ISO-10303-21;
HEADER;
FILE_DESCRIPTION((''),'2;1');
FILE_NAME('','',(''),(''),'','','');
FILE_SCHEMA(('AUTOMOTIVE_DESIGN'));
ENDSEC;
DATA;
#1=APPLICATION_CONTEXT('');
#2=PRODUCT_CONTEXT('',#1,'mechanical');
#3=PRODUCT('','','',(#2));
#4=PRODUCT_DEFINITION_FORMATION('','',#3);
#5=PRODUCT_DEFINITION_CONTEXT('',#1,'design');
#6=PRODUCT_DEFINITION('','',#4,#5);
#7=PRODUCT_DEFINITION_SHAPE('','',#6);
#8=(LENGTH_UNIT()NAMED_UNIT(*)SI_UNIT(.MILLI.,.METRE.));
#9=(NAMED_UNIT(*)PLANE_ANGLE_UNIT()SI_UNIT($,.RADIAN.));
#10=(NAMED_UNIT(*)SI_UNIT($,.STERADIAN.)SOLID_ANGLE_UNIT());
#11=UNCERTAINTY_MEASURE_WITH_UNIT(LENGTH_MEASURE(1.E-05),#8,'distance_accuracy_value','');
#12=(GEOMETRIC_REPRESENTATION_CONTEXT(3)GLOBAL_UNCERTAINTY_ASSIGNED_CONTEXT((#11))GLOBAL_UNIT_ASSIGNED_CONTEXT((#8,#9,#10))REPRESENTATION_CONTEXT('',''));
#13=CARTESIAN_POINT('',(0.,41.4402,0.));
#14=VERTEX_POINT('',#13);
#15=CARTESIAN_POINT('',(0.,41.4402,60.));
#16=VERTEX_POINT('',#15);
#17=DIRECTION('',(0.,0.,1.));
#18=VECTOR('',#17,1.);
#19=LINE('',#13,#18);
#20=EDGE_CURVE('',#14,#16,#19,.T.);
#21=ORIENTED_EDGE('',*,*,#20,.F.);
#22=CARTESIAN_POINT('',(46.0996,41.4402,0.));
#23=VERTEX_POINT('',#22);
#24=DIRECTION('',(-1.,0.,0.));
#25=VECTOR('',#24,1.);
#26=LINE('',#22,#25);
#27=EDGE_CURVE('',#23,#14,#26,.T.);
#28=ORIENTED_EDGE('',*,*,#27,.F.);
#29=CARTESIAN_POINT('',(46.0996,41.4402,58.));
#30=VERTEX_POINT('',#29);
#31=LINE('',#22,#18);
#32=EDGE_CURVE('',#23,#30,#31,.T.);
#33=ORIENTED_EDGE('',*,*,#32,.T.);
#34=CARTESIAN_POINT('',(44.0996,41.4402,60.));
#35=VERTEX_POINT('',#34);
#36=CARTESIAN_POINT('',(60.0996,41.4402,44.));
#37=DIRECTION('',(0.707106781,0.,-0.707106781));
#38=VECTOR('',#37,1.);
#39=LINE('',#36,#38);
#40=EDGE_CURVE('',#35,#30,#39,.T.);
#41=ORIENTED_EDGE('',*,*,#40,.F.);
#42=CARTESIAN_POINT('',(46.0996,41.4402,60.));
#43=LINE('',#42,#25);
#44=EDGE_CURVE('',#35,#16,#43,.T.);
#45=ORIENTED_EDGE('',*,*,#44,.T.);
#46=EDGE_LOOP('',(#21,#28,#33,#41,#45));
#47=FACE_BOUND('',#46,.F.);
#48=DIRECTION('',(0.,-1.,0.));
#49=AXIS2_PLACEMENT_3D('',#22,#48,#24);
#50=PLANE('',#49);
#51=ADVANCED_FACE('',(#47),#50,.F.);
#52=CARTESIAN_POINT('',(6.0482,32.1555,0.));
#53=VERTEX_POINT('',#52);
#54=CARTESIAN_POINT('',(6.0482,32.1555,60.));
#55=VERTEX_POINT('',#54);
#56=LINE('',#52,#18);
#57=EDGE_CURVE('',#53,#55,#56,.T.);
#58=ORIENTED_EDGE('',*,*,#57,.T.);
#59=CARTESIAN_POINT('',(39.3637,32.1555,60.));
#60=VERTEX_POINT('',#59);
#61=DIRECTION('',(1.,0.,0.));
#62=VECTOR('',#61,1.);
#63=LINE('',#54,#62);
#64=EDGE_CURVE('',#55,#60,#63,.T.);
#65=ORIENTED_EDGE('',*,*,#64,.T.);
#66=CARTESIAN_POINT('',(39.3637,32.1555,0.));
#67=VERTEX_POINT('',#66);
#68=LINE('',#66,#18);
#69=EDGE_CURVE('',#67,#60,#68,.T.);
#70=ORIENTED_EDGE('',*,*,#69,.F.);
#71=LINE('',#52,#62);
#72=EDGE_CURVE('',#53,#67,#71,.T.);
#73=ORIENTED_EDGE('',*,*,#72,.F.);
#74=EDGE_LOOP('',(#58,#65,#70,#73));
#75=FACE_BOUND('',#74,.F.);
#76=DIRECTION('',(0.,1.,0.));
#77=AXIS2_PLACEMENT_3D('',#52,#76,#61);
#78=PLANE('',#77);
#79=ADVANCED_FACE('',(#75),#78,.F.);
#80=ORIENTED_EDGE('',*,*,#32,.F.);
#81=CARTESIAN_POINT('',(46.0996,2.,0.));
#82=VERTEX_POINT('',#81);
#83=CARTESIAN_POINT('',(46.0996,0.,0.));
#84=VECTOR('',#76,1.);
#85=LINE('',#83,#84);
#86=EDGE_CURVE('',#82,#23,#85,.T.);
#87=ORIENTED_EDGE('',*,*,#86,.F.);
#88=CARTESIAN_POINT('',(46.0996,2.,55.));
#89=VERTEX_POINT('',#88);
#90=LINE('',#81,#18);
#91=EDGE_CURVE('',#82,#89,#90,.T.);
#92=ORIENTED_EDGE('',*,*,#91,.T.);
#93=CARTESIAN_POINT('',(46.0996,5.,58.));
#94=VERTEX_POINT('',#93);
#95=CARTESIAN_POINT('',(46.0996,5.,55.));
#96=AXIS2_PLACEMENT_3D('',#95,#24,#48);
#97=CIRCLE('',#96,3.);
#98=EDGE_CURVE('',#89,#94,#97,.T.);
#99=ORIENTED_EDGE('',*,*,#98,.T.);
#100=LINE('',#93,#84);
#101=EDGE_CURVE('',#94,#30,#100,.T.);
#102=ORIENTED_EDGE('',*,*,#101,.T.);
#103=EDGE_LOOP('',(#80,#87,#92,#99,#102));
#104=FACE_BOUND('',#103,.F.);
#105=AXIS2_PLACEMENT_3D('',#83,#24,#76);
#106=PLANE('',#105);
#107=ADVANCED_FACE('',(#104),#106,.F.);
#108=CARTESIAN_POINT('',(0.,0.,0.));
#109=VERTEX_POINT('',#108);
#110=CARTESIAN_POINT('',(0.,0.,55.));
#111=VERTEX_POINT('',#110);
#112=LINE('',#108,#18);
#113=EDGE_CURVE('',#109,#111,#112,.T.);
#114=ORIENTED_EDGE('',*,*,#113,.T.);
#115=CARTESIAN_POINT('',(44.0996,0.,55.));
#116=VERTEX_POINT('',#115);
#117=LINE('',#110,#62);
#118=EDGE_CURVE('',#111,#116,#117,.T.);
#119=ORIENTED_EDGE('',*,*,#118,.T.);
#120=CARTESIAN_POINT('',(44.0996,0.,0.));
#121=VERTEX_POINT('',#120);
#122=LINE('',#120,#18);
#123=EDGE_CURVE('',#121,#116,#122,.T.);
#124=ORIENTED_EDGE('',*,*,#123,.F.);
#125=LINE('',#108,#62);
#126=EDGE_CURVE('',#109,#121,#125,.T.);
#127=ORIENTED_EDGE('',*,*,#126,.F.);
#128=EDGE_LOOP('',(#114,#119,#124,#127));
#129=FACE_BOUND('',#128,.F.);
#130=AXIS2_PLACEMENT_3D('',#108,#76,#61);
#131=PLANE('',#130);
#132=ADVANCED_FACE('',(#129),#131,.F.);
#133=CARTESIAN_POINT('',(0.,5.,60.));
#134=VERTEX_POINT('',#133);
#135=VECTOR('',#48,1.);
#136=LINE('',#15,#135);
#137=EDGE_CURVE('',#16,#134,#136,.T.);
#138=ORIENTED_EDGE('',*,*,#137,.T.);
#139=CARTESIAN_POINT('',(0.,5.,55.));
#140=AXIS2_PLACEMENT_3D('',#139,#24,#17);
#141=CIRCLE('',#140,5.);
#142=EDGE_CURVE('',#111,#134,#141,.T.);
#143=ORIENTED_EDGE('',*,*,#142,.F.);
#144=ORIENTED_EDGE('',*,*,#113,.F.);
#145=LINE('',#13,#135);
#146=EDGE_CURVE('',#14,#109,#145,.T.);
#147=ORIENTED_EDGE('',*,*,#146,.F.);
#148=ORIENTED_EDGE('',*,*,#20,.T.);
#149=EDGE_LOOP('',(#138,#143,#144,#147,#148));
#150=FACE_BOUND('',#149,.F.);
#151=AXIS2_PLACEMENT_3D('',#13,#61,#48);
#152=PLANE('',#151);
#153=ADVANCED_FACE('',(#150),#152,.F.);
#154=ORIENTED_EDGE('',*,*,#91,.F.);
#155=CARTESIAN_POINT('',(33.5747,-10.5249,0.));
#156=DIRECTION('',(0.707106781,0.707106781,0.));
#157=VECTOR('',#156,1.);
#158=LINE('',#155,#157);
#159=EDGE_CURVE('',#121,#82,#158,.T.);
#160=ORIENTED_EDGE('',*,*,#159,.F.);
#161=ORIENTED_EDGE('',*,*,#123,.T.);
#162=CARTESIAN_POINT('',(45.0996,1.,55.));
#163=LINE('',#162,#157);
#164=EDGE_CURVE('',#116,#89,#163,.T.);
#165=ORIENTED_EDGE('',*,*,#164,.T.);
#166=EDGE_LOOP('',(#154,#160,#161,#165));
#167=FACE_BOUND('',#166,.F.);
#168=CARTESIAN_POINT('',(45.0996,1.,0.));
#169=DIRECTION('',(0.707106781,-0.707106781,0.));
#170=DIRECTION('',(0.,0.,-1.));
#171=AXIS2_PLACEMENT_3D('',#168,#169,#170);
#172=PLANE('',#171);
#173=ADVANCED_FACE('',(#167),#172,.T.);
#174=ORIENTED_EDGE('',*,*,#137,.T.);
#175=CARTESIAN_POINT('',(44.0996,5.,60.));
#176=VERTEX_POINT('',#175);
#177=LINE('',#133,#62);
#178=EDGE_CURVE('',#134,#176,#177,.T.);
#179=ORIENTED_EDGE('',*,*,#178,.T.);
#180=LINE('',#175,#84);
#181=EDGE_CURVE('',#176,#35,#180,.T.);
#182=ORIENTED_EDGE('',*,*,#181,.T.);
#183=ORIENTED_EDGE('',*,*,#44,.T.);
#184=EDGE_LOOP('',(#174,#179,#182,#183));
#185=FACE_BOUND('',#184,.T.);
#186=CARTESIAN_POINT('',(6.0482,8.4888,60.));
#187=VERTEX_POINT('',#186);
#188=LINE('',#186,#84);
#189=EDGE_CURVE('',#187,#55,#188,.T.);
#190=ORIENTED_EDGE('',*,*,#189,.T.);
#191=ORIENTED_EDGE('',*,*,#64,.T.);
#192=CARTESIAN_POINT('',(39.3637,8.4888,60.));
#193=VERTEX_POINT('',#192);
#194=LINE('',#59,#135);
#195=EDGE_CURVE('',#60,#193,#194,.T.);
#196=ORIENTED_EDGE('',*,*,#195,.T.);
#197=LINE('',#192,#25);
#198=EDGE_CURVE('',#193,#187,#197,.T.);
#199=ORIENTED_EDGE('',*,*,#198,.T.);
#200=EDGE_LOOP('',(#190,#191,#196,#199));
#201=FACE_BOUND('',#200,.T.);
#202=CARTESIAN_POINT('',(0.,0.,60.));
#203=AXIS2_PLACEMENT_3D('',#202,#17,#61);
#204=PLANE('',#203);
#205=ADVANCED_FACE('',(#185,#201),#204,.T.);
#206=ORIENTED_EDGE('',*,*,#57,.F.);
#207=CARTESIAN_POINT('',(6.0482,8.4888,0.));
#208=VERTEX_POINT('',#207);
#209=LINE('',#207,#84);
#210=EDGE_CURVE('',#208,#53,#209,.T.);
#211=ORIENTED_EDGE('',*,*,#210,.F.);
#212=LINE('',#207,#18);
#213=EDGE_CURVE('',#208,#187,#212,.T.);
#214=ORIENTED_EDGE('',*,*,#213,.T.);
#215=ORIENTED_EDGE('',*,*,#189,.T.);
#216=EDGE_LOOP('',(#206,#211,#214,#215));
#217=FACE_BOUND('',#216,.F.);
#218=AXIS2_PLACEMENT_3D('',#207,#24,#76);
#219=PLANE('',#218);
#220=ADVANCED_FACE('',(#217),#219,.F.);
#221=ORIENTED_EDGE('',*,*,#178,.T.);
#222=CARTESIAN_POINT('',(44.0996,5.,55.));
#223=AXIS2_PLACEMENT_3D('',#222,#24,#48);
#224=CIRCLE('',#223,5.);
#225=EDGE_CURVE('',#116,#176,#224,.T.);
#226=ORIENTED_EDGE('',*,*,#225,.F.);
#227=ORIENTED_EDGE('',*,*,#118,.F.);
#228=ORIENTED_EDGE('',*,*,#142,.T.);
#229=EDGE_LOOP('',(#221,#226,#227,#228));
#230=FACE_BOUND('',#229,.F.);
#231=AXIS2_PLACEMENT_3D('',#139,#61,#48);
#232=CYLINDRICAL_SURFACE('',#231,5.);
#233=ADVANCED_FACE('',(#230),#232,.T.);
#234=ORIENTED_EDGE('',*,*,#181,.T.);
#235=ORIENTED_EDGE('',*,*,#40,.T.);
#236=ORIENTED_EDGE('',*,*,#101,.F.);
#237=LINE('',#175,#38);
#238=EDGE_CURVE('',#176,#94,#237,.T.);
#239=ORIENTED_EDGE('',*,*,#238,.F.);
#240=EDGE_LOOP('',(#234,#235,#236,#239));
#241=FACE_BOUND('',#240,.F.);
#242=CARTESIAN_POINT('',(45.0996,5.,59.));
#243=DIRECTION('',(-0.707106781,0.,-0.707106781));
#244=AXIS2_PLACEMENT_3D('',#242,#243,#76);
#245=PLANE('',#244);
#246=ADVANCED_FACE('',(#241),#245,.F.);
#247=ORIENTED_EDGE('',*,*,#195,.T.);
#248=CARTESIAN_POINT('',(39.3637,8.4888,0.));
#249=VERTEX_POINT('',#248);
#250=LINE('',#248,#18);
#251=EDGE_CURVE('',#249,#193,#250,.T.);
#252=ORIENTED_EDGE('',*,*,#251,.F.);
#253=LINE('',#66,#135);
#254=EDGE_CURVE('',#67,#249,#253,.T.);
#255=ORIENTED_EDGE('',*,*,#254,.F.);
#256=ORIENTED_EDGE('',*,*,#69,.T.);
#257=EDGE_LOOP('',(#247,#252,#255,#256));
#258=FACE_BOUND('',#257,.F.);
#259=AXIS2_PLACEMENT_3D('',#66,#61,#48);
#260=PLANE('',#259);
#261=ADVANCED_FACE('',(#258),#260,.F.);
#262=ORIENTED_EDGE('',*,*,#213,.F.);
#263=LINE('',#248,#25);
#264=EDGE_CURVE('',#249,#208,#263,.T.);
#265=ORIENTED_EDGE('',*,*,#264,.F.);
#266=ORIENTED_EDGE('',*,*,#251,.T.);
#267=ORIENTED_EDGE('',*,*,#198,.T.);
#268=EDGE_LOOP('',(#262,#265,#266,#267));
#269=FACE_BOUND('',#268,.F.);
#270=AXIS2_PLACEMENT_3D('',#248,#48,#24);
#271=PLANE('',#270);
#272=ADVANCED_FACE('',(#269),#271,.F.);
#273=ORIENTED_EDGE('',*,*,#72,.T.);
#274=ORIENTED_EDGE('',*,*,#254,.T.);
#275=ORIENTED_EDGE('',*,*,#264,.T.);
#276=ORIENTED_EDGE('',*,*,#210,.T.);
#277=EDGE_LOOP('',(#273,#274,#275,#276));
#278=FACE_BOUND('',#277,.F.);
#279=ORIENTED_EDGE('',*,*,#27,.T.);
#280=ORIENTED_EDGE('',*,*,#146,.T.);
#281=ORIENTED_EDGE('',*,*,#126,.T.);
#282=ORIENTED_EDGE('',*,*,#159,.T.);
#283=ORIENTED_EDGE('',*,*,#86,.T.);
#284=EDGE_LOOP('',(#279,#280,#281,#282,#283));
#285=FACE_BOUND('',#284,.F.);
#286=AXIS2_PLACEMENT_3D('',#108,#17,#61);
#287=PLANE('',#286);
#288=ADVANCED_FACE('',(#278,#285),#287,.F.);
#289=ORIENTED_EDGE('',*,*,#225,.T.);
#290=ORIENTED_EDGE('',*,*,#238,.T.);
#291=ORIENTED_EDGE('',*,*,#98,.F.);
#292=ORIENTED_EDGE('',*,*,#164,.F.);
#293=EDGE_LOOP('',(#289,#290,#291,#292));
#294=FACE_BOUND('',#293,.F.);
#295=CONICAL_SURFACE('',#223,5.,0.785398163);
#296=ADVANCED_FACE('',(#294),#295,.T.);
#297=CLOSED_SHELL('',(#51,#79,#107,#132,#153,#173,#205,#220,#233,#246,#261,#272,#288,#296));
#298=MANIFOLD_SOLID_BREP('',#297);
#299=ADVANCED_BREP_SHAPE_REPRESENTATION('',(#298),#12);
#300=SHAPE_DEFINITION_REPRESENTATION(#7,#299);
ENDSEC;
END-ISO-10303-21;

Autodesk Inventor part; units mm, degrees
ref_plane "YZ Plane" through (0, 0, 0) normal (1, 0, 0) x (0, 1, 0)
ref_plane "XZ Plane" through (0, 0, 0) normal (0, 1, 0) x (-1, 0, 0)
ref_plane "XY Plane" through (0, 0, 0) normal (0, 0, 1) x (1, 0, 0)
sketch "Sketch1" plane through (0, 0, 0) normal (0, 0, 1) x (1, 0, 0)
  line L0 (0, 0) -> (46.0996, 0)
  line L1 (46.0996, 0) -> (46.0996, 41.4402)
  line L2 (46.0996, 41.4402) -> (0, 41.4402)
  line L3 (0, 41.4402) -> (0, 0)
  line L4 (6.0482, 32.1555) -> (39.3637, 32.1555)
  line L5 (39.3637, 32.1555) -> (39.3637, 8.4888)
  line L6 (39.3637, 8.4888) -> (6.0482, 8.4888)
  line L7 (6.0482, 8.4888) -> (6.0482, 32.1555)
extrude "Extrusion1" add sketch "Sketch1" along normal blind 60
fillet "Fillet1" radius 5 1 edges at (23.0498, 0, 60)
chamfer "Chamfer1" distance 2 angle 45 3 edges at (46.0996, 23.2201, 60) (46.0996, 1.4645, 58.5355) (46.0996, 0, 27.5)
properties material "Steel, Alloy"
